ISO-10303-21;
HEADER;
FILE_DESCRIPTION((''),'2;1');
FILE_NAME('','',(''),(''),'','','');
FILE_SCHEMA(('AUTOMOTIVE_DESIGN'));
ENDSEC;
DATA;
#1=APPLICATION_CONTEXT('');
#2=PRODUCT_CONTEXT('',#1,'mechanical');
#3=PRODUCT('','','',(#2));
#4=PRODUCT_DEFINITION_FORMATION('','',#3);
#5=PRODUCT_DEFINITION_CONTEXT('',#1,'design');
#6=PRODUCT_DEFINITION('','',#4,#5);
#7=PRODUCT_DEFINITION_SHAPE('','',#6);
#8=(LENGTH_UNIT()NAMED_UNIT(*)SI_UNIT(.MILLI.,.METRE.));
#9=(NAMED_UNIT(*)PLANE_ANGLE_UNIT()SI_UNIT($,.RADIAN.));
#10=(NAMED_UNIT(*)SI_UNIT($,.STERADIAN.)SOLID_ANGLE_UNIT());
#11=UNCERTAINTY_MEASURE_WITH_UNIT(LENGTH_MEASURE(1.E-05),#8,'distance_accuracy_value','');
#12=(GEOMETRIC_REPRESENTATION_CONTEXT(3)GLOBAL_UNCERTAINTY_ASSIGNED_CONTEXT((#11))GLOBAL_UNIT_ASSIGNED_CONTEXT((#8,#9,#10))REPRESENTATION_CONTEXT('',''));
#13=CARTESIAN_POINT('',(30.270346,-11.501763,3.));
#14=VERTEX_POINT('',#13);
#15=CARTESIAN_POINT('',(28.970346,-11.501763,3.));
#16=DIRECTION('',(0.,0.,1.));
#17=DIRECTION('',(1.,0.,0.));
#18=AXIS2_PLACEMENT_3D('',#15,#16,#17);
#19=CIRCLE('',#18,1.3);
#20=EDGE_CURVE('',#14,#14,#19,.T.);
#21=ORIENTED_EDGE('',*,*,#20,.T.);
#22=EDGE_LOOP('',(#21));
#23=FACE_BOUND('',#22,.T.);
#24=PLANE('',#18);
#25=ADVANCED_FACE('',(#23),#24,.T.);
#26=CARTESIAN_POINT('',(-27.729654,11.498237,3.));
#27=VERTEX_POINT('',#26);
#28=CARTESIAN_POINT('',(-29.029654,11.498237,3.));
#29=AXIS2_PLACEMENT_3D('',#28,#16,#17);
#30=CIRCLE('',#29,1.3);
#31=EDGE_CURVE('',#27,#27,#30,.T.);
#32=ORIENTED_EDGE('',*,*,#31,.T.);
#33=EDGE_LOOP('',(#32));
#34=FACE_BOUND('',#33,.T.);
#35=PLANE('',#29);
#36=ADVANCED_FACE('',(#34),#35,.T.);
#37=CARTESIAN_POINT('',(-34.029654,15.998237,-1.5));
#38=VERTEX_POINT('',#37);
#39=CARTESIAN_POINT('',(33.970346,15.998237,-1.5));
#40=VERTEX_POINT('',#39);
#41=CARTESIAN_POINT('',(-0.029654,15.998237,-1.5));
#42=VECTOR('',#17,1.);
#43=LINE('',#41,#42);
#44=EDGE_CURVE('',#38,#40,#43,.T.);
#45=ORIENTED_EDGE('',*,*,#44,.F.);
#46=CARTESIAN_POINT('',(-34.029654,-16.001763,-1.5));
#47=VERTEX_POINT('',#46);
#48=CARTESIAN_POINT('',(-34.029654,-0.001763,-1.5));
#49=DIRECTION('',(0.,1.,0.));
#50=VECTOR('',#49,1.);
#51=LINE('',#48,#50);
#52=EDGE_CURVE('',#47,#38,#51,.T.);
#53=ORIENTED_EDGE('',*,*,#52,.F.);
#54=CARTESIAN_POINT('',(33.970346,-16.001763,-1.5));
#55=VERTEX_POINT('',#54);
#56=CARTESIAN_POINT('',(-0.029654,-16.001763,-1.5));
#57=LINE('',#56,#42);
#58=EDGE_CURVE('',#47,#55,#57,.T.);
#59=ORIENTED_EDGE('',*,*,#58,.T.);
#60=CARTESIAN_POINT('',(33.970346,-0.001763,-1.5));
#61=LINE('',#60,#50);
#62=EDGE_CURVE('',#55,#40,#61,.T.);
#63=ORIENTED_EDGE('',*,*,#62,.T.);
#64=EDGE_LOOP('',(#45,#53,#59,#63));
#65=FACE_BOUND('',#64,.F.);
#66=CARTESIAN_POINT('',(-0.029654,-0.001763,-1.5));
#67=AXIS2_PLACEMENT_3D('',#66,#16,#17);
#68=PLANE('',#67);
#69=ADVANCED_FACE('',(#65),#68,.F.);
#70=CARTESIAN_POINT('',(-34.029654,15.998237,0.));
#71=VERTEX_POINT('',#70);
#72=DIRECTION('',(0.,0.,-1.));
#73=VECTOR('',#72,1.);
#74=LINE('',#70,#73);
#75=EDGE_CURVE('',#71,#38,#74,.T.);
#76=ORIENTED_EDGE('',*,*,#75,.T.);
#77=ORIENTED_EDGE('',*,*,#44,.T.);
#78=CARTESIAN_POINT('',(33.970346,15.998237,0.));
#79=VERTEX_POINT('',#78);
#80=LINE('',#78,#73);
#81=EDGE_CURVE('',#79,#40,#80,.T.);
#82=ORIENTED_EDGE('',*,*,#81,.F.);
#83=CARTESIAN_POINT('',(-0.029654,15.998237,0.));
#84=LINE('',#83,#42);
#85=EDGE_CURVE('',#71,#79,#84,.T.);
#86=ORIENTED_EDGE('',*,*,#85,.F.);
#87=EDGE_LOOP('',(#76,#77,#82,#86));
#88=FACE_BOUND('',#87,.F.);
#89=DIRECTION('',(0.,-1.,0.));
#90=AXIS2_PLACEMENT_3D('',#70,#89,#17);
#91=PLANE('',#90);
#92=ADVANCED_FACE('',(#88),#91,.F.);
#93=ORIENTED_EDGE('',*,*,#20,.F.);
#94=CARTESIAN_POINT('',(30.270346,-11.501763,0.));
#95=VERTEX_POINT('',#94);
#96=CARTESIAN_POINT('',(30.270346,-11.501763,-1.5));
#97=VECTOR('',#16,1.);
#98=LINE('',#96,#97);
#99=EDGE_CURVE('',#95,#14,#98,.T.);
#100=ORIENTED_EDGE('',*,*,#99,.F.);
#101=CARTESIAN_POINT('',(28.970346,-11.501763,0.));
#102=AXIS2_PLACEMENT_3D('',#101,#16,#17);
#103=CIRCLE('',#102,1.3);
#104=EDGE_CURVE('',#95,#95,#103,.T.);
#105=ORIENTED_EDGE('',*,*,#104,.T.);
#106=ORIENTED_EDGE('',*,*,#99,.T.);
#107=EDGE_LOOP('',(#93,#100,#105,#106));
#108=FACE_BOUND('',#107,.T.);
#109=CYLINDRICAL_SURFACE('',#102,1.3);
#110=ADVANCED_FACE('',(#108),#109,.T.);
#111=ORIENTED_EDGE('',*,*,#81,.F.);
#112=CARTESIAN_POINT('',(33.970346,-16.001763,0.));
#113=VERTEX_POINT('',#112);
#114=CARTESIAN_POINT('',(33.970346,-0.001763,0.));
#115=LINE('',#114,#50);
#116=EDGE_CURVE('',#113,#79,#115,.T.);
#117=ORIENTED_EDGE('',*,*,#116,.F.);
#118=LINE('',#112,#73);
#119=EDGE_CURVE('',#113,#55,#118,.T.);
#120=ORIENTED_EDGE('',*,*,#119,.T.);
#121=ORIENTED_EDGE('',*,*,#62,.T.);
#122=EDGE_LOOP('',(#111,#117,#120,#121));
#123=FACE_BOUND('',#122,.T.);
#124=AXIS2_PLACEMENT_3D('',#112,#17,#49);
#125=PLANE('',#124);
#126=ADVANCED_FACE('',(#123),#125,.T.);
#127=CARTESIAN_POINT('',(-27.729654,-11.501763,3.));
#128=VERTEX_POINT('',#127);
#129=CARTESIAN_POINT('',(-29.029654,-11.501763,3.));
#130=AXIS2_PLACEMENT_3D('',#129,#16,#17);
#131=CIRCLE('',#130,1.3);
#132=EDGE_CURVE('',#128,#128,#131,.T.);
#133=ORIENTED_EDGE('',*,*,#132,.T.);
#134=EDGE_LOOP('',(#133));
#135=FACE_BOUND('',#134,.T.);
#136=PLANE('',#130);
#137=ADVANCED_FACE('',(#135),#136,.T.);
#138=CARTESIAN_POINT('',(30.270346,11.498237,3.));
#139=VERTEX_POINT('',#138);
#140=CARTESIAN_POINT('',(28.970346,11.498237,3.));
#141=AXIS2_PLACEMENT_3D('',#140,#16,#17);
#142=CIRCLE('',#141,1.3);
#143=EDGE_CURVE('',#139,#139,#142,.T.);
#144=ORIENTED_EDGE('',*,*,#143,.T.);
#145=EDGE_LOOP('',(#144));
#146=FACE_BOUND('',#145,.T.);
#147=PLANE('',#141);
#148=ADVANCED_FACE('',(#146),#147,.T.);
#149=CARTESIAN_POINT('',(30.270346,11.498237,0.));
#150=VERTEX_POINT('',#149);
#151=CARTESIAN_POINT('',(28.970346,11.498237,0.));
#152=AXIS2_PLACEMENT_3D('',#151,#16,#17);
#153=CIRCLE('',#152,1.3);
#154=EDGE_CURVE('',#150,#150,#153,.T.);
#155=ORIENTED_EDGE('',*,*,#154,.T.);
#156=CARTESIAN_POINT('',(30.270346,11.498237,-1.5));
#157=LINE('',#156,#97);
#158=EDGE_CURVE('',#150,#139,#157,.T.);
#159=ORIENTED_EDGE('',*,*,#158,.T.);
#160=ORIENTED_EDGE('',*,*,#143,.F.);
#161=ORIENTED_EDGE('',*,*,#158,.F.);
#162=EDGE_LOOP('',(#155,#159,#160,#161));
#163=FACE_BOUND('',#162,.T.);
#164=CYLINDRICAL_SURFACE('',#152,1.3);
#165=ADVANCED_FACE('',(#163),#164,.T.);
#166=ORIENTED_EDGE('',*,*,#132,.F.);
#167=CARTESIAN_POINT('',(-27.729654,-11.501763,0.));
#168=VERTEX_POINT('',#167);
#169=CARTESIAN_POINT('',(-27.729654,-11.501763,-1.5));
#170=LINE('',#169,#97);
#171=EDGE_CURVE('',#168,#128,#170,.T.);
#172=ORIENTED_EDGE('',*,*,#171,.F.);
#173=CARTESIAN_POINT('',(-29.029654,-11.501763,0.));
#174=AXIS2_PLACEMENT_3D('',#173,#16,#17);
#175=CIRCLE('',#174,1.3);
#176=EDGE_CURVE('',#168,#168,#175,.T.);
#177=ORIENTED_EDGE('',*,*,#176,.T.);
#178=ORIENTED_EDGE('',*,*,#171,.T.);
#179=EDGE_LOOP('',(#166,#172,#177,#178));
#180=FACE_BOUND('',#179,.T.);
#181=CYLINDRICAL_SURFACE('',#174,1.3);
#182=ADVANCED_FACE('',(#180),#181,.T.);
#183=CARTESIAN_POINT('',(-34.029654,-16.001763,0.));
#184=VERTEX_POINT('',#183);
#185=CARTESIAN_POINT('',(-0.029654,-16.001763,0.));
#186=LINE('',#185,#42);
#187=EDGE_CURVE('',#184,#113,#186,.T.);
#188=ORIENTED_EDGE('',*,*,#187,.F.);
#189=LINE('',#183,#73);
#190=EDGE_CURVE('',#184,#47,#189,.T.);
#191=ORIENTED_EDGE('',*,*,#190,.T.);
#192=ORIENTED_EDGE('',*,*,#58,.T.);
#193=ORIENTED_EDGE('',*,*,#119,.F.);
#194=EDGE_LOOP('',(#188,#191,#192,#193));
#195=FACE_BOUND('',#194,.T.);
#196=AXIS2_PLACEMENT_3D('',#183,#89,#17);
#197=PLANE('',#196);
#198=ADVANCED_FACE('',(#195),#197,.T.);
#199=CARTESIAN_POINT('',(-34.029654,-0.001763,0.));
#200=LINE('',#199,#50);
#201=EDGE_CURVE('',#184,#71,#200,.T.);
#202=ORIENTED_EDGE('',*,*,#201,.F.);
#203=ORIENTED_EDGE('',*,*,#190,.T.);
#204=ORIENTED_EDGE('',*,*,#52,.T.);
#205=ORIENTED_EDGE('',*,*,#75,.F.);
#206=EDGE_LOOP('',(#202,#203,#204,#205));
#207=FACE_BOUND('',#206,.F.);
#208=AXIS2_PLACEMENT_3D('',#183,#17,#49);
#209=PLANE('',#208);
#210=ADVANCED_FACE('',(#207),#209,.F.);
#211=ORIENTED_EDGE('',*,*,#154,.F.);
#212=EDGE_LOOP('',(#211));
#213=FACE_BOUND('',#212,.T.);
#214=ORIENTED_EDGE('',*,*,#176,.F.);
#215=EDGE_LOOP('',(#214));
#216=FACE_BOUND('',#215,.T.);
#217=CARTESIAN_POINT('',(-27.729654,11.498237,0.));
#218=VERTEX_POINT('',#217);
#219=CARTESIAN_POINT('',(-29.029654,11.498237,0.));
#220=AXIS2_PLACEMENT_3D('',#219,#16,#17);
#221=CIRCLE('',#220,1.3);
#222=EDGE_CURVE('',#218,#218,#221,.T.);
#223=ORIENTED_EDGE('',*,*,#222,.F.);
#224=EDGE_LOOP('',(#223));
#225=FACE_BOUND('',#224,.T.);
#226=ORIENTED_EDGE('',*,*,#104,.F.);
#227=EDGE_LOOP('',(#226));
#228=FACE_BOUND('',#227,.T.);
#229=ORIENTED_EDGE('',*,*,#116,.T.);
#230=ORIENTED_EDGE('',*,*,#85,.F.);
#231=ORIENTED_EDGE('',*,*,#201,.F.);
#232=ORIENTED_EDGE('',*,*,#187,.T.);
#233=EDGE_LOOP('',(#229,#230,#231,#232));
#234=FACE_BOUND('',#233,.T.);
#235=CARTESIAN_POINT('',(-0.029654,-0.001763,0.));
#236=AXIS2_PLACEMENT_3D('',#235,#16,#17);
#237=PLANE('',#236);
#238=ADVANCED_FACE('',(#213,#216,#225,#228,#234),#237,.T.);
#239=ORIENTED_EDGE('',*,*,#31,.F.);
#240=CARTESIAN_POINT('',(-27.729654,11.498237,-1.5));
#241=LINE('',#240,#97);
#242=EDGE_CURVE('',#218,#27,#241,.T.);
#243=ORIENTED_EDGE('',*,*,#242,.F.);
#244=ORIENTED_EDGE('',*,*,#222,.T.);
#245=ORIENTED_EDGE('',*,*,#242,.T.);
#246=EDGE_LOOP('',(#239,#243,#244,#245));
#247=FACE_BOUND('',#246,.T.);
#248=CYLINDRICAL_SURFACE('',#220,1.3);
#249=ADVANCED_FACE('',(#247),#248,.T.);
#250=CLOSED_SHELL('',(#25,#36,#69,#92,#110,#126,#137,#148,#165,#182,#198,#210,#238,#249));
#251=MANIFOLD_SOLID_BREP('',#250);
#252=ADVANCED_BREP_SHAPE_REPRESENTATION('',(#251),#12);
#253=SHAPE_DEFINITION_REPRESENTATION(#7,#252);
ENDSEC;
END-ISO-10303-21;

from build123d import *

# Parameters (mm, degrees)
F0_R          = 1.3
F1_DEPTH      = 3
F1_DEPTH_BACK = 1.5
F0_W          = 68
F0_H          = 32
F2_DEPTH      = 1.5


with BuildPart() as f1:
    # F0 (on Top) → F1 (new body, two sides)
    with BuildSketch(Plane.XY) as f1_sk:
        with Locations((-29.0296536804, -11.5017628863)):
            Circle(F0_R)
    extrude(amount=F1_DEPTH)
    extrude(f1_sk.sketch, amount=-F1_DEPTH_BACK)



with BuildPart() as f1b:
    # F0 (on Top) → F1, piece 2 (new body, two sides)
    with BuildSketch(Plane.XY) as f1_2_sk:
        with Locations((-29.0296536804, 11.4982371137)):
            Circle(F0_R)
    extrude(amount=F1_DEPTH)
    extrude(f1_2_sk.sketch, amount=-F1_DEPTH_BACK)


with BuildPart() as f1c:
    # F0 (on Top) → F1, piece 3 (new body, two sides)
    with BuildSketch(Plane.XY) as f1_3_sk:
        with Locations((28.9703463196, 11.4982371137)):
            Circle(F0_R)
    extrude(amount=F1_DEPTH)
    extrude(f1_3_sk.sketch, amount=-F1_DEPTH_BACK)


with BuildPart() as f1d:
    # F0 (on Top) → F1, piece 4 (new body, two sides)
    with BuildSketch(Plane.XY) as f1_4_sk:
        with Locations((28.9703463196, -11.5017628863)):
            Circle(F0_R)
    extrude(amount=F1_DEPTH)
    extrude(f1_4_sk.sketch, amount=-F1_DEPTH_BACK)


with BuildPart() as f1_1:
    add(f1.part)

    add(f1b.part)  # F2 merges F1b

    add(f1c.part)  # F2 merges F1c

    add(f1d.part)  # F2 merges F1d
    # F0 (on Top) → F2 (join)
    with BuildSketch(Plane.XY):
        with Locations((-0.0296536804, -0.0017628863)):
            Rectangle(F0_W, F0_H)
        with Locations((-29.0296536804, -11.5017628863)):
            Circle(F0_R, mode=Mode.SUBTRACT)
        with Locations((28.9703463196, -11.5017628863)):
            Circle(F0_R, mode=Mode.SUBTRACT)
        with Locations((-29.0296536804, 11.4982371137)):
            Circle(F0_R, mode=Mode.SUBTRACT)
        with Locations((28.9703463196, 11.4982371137)):
            Circle(F0_R, mode=Mode.SUBTRACT)
    extrude(amount=-F2_DEPTH)


solid = f1_1.part
